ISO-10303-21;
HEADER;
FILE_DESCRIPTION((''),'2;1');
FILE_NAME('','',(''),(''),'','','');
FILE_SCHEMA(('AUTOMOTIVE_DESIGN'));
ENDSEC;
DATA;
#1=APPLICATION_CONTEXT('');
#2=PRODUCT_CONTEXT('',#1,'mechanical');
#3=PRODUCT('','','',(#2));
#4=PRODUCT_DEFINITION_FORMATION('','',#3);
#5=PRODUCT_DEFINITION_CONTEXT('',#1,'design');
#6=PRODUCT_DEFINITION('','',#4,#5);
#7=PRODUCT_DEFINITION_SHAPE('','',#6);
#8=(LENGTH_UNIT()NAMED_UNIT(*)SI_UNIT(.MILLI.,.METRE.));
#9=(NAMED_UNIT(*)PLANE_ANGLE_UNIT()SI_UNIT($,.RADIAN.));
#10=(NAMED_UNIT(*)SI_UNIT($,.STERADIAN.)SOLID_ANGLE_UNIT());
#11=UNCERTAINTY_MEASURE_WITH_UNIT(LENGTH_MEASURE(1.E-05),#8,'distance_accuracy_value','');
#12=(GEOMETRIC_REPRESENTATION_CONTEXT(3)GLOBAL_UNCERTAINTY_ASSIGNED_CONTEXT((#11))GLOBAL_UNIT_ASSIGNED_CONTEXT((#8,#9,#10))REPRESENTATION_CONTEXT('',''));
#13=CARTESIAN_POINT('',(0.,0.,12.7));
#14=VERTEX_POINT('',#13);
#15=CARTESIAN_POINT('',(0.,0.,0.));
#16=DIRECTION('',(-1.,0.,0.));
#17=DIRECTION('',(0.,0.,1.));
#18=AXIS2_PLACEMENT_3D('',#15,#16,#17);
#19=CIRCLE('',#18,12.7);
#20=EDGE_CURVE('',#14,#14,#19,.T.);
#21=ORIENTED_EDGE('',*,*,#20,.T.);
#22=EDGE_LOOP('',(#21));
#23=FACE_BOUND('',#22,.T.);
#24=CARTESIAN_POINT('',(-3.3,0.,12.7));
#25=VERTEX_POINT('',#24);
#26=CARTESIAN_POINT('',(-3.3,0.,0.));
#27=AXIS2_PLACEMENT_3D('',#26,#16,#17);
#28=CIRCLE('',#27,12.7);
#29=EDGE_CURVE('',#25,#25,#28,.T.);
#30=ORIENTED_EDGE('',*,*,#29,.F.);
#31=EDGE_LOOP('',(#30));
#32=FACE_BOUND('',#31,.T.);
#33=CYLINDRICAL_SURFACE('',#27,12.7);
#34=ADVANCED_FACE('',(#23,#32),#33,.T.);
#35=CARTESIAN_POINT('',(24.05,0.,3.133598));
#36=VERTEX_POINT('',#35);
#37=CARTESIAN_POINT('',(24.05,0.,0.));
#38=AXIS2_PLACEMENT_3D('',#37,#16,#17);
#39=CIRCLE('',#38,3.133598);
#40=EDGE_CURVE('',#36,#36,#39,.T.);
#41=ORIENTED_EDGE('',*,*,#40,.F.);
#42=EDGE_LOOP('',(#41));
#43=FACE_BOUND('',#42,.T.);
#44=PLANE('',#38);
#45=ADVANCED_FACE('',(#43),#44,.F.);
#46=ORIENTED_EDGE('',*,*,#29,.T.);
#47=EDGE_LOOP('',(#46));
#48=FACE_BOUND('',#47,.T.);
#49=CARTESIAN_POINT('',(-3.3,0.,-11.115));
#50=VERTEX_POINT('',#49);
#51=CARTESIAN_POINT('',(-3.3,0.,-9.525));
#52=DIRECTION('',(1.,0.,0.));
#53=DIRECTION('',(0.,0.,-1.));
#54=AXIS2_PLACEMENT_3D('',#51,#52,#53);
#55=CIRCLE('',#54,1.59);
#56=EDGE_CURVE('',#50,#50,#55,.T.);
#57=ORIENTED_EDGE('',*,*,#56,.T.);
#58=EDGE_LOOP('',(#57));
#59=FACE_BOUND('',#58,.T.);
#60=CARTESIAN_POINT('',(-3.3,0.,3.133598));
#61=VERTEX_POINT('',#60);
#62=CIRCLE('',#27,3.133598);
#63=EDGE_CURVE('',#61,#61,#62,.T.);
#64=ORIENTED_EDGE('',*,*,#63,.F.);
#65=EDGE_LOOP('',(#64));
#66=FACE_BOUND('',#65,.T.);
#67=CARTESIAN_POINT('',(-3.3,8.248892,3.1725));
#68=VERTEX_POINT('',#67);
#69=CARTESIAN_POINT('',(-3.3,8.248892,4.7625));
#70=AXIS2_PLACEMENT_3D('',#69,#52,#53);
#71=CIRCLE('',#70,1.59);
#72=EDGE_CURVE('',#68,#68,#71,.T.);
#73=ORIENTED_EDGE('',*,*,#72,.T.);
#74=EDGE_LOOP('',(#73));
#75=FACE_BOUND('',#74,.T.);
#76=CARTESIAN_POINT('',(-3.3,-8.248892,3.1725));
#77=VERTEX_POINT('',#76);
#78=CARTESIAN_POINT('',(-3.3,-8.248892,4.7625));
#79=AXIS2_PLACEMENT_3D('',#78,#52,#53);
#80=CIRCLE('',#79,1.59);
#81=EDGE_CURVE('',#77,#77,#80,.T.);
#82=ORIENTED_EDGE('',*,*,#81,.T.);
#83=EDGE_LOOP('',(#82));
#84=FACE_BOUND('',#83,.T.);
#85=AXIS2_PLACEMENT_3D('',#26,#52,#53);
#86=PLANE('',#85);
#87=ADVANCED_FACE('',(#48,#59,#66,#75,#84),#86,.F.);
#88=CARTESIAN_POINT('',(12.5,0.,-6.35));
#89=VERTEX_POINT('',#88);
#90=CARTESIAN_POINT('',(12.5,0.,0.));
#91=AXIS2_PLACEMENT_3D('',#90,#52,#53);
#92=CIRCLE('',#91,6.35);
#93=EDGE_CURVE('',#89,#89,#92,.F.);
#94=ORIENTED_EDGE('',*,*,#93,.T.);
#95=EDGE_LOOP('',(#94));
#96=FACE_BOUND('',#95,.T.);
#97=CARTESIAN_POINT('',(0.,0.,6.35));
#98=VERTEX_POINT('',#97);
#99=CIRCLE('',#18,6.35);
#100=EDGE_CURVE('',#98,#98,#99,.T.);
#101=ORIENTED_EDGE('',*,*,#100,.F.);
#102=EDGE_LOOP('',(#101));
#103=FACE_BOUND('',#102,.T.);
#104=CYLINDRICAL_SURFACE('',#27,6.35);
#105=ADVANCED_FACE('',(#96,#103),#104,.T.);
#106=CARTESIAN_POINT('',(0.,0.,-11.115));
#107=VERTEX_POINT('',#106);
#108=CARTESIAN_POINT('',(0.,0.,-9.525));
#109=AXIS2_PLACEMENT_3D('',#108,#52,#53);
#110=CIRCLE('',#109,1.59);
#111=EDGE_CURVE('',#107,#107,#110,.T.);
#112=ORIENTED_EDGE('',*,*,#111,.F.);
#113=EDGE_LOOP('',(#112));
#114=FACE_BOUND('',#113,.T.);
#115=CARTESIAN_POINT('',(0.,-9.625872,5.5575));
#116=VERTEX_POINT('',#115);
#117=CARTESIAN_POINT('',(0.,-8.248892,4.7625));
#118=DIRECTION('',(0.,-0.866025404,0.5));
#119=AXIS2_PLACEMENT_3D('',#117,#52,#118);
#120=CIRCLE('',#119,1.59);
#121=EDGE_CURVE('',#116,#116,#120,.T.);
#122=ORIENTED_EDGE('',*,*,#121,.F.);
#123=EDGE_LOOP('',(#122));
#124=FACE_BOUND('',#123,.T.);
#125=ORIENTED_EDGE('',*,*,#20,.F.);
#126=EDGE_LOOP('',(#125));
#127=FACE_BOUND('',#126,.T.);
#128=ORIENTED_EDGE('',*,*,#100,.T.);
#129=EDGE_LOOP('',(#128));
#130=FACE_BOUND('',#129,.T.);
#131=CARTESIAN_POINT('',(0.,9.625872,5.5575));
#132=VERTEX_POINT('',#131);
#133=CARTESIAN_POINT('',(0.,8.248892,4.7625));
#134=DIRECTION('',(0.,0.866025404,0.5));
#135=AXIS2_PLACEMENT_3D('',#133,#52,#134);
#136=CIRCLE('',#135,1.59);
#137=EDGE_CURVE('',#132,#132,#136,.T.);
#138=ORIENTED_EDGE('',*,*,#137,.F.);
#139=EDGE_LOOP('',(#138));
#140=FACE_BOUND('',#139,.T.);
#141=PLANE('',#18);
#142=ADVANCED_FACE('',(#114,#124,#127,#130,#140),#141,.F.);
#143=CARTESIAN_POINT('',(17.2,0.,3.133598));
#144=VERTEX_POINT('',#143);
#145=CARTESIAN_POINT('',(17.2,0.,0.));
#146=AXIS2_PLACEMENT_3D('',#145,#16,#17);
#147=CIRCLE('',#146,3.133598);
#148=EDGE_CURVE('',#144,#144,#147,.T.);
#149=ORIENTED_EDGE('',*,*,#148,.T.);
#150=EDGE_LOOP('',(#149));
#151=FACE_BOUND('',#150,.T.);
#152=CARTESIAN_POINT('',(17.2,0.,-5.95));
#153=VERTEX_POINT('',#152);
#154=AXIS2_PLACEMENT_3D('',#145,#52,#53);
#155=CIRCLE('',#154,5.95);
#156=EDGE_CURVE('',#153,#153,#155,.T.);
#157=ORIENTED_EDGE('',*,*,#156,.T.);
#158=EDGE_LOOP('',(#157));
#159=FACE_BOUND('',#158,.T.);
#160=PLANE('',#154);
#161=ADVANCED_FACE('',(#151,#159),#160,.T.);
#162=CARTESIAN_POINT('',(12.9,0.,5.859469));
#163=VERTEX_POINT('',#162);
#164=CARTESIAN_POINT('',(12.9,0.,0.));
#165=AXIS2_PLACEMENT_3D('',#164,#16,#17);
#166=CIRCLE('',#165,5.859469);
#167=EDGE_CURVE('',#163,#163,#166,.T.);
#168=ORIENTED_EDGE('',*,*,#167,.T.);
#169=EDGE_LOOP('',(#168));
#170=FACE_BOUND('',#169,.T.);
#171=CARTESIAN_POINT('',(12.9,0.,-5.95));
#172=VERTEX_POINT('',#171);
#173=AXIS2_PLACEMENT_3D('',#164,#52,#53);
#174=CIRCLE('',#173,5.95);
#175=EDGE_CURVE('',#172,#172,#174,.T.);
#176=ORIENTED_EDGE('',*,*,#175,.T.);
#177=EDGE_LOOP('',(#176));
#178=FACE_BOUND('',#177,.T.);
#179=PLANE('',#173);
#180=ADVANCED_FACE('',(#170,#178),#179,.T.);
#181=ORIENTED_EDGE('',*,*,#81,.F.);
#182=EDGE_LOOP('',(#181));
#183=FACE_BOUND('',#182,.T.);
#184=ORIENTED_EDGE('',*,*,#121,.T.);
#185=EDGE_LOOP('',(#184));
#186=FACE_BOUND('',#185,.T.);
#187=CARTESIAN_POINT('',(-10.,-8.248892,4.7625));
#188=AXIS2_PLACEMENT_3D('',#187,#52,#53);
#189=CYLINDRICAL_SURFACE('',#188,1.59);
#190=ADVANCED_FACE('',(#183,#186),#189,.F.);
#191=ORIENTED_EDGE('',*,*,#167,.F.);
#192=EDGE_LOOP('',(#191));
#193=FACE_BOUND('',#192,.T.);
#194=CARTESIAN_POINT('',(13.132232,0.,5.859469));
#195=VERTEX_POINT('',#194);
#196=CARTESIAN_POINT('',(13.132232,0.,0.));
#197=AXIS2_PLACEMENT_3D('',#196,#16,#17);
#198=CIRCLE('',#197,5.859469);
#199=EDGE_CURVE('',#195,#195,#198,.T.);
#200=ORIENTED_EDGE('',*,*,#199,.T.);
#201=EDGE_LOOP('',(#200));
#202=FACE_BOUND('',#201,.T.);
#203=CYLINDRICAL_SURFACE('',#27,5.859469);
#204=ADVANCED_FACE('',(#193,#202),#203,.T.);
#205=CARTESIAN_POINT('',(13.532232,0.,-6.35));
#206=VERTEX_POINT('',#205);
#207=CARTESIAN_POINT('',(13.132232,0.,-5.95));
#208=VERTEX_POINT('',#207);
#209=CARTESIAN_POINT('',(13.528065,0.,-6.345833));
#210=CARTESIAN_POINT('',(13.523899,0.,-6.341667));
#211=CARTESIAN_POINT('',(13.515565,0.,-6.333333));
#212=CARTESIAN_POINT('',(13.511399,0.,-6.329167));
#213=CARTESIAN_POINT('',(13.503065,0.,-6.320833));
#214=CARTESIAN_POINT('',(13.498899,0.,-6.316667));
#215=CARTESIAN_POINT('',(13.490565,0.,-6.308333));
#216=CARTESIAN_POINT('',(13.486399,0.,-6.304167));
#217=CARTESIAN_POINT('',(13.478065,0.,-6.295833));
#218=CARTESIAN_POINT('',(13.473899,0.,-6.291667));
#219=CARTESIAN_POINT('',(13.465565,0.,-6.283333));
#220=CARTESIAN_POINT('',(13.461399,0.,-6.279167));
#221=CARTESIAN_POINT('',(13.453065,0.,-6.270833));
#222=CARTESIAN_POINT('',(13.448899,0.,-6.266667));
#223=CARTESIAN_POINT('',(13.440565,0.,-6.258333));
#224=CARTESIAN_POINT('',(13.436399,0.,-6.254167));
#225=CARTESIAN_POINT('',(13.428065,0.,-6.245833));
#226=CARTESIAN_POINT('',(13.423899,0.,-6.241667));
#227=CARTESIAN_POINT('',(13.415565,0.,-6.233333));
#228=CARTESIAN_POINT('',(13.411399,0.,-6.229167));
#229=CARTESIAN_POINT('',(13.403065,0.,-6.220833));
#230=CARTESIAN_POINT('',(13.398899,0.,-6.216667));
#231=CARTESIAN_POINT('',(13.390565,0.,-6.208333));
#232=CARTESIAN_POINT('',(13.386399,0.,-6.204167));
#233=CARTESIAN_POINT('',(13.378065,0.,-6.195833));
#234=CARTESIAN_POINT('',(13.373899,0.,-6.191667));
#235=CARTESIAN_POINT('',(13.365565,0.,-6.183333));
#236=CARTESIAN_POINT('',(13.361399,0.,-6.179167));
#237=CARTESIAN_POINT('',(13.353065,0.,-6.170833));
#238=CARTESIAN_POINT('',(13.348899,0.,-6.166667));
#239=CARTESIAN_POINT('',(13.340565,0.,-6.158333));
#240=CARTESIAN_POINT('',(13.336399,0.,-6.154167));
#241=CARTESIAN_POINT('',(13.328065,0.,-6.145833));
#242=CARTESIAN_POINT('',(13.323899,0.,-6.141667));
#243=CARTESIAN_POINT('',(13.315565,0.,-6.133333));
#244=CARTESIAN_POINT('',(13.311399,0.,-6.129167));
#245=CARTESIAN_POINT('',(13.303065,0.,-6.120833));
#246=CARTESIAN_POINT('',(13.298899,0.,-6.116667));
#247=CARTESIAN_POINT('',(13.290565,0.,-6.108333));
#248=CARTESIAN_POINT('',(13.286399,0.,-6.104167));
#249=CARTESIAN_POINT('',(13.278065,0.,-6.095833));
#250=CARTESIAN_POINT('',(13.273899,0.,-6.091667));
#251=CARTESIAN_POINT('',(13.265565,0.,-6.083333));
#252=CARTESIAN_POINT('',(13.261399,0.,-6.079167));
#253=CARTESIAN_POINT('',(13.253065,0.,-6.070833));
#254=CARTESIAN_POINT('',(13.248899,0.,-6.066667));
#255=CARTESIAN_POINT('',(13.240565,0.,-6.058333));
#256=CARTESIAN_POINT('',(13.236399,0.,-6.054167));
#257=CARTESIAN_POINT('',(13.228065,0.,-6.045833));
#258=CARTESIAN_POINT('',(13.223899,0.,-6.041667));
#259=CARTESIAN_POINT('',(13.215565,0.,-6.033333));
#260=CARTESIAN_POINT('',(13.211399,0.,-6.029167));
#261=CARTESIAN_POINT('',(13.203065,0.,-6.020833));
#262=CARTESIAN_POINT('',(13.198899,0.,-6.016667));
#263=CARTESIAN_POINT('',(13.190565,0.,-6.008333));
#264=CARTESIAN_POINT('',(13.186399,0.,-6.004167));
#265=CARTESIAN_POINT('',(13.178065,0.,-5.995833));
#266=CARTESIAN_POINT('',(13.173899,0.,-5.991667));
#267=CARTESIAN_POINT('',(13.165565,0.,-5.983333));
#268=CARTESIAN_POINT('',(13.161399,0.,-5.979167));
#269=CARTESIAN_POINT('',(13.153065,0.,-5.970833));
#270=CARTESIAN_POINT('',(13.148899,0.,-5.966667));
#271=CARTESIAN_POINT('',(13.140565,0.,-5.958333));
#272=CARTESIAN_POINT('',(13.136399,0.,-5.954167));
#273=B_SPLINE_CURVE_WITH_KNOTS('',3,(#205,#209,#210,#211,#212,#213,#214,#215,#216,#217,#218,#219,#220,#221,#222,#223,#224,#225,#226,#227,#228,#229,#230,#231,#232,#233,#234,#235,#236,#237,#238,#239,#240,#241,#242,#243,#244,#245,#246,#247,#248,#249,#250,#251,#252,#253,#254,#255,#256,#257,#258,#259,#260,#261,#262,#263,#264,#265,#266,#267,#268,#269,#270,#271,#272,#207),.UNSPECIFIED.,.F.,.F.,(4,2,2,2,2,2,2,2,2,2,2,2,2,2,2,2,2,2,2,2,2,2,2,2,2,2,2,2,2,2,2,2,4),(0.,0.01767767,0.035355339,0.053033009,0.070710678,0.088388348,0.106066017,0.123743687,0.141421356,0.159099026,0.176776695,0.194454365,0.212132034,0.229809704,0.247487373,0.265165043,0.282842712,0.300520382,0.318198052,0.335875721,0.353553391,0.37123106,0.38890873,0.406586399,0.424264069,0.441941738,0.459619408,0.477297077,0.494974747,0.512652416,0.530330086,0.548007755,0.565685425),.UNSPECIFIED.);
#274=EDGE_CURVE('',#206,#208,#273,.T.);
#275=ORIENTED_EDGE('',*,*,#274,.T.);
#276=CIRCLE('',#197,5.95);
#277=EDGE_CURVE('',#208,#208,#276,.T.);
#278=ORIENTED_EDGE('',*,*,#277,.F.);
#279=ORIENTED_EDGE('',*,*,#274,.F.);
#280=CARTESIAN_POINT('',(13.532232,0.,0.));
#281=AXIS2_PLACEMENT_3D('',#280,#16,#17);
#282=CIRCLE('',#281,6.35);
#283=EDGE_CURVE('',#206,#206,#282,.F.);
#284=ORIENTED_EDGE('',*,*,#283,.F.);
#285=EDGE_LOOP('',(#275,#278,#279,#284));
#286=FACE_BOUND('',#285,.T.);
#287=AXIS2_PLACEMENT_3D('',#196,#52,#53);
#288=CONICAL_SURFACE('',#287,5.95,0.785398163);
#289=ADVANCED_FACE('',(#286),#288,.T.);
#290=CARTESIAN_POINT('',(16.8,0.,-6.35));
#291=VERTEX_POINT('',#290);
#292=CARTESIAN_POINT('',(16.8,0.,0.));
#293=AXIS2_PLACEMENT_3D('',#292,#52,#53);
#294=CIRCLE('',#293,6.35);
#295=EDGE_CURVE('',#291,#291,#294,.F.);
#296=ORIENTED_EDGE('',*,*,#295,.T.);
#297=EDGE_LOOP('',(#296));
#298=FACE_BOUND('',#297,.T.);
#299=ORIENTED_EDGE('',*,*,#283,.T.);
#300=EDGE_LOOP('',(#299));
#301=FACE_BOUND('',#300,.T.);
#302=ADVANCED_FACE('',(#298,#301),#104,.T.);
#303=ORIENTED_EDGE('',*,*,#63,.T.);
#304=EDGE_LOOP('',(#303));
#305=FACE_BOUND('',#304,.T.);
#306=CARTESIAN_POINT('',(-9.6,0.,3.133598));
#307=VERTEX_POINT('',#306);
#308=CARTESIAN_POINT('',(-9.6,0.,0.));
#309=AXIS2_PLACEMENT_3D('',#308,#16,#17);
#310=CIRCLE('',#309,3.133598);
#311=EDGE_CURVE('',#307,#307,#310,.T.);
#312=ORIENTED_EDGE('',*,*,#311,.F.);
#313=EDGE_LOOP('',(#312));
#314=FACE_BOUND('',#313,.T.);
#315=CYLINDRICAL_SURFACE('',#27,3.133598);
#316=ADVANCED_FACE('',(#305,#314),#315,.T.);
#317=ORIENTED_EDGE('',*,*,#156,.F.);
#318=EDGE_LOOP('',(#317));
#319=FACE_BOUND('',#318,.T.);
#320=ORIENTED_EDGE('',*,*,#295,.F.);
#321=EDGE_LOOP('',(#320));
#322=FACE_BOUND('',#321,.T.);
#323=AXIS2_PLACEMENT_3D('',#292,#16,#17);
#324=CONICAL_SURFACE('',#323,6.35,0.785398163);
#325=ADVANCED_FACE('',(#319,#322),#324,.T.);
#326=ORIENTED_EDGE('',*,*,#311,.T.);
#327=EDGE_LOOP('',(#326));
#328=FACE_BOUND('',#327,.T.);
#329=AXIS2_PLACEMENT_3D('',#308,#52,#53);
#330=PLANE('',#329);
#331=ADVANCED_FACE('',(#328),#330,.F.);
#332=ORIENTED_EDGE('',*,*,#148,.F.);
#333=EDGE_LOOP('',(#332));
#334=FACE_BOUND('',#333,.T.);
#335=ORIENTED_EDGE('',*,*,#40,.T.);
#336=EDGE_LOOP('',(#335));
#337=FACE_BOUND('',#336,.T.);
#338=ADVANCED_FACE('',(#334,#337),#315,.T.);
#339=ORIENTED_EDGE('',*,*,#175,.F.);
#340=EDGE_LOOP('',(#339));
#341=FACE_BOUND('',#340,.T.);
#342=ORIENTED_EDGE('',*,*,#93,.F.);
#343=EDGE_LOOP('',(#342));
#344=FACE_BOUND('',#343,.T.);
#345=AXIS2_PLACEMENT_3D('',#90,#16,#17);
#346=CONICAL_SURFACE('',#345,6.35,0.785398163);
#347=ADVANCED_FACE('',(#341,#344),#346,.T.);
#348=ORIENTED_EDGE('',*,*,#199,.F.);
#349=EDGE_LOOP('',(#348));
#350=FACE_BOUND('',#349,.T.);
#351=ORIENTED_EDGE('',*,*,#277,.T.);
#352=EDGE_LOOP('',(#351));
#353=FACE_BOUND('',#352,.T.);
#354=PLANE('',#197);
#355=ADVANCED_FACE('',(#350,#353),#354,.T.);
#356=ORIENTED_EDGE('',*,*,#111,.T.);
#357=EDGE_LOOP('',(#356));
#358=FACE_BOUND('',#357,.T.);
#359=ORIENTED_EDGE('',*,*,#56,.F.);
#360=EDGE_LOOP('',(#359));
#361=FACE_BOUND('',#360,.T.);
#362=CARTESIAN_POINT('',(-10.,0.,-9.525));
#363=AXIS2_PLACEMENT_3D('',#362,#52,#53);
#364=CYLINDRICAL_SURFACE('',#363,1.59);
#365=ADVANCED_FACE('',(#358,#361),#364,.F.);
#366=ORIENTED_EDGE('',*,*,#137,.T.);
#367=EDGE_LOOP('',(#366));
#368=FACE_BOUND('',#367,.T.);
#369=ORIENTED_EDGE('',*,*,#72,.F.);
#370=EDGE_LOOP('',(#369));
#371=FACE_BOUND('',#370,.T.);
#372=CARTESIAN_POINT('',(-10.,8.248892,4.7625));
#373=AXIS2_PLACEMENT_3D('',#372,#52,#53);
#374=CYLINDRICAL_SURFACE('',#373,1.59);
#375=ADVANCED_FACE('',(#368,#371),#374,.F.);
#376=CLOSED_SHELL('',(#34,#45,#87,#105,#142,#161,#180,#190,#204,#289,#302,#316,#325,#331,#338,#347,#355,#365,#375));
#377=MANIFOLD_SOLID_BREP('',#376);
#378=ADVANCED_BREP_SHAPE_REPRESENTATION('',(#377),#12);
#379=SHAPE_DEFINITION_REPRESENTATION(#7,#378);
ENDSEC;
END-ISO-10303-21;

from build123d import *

# Parameters (mm, degrees)
SKETCH1_W          = 6.3
SKETCH1_H          = 3.133597909
SKETCH1_W_2        = 20.5
SKETCH1_W_3        = 6.85
SKETCH2_R          = 1.59
CUT_EXTRUDE1_DEPTH = 10
CIRPATTERN1_COUNT  = 3
CHAMFER1_SIZE      = 0.4


with BuildPart() as part:
    # Sketch1 → Revolve1 (revolve)
    with BuildSketch(Plane.XY, mode=Mode.PRIVATE) as revolve1_sk:
        with Locations((-6.45, 1.566798955)):
            Rectangle(SKETCH1_W, SKETCH1_H)
        with Locations((6.95, 1.566798955)):
            Rectangle(SKETCH1_W_2, SKETCH1_H)
        Polygon((17.2, 3.133597909), (17.2, 6.35), (13.132231879, 6.35), (13.132231879, 5.859469346), (12.9, 5.859469346), (12.9, 6.35), (0, 6.35), (0, 12.7), (-3.3, 12.7), (-3.3, 3.133597909), align=None)
        with Locations((20.625, 1.566798955)):
            Rectangle(SKETCH1_W_3, SKETCH1_H)
    revolve(revolve1_sk.sketch.rotate(Axis((-3.3, 0, 0), (1, 0, 0)), 90), axis=Axis((-3.3, 0, 0), (1, 0, 0)))

    # Sketch2 → Cut-Extrude1 (cut)
    with BuildSketch(Plane(origin=(0, 0, 0), x_dir=(0, 0, -1), z_dir=(1, 0, 0))):
        with Locations((9.525, 0)):
            Circle(SKETCH2_R)
    cut_extrude1 = extrude(amount=-CUT_EXTRUDE1_DEPTH, mode=Mode.SUBTRACT)

    # CirPattern1: Cut-Extrude1 ×3 about axis
    cirpattern1_axis = Axis((0, 0, 0), (1, 0, 0))
    for i in range(1, CIRPATTERN1_COUNT):
        add(cut_extrude1.rotate(cirpattern1_axis, i * 360 / CIRPATTERN1_COUNT), mode=Mode.SUBTRACT)

    # Chamfer1
    chamfer1_edges = [part.edges().sort_by_distance(p)[0] for p in [
        (12.9, 0, -6.35),
        (13.132231879, 0, -6.35),
        (17.2, 0, -6.35),
    ]]
    chamfer(chamfer1_edges, length=CHAMFER1_SIZE)


solid = part.part
